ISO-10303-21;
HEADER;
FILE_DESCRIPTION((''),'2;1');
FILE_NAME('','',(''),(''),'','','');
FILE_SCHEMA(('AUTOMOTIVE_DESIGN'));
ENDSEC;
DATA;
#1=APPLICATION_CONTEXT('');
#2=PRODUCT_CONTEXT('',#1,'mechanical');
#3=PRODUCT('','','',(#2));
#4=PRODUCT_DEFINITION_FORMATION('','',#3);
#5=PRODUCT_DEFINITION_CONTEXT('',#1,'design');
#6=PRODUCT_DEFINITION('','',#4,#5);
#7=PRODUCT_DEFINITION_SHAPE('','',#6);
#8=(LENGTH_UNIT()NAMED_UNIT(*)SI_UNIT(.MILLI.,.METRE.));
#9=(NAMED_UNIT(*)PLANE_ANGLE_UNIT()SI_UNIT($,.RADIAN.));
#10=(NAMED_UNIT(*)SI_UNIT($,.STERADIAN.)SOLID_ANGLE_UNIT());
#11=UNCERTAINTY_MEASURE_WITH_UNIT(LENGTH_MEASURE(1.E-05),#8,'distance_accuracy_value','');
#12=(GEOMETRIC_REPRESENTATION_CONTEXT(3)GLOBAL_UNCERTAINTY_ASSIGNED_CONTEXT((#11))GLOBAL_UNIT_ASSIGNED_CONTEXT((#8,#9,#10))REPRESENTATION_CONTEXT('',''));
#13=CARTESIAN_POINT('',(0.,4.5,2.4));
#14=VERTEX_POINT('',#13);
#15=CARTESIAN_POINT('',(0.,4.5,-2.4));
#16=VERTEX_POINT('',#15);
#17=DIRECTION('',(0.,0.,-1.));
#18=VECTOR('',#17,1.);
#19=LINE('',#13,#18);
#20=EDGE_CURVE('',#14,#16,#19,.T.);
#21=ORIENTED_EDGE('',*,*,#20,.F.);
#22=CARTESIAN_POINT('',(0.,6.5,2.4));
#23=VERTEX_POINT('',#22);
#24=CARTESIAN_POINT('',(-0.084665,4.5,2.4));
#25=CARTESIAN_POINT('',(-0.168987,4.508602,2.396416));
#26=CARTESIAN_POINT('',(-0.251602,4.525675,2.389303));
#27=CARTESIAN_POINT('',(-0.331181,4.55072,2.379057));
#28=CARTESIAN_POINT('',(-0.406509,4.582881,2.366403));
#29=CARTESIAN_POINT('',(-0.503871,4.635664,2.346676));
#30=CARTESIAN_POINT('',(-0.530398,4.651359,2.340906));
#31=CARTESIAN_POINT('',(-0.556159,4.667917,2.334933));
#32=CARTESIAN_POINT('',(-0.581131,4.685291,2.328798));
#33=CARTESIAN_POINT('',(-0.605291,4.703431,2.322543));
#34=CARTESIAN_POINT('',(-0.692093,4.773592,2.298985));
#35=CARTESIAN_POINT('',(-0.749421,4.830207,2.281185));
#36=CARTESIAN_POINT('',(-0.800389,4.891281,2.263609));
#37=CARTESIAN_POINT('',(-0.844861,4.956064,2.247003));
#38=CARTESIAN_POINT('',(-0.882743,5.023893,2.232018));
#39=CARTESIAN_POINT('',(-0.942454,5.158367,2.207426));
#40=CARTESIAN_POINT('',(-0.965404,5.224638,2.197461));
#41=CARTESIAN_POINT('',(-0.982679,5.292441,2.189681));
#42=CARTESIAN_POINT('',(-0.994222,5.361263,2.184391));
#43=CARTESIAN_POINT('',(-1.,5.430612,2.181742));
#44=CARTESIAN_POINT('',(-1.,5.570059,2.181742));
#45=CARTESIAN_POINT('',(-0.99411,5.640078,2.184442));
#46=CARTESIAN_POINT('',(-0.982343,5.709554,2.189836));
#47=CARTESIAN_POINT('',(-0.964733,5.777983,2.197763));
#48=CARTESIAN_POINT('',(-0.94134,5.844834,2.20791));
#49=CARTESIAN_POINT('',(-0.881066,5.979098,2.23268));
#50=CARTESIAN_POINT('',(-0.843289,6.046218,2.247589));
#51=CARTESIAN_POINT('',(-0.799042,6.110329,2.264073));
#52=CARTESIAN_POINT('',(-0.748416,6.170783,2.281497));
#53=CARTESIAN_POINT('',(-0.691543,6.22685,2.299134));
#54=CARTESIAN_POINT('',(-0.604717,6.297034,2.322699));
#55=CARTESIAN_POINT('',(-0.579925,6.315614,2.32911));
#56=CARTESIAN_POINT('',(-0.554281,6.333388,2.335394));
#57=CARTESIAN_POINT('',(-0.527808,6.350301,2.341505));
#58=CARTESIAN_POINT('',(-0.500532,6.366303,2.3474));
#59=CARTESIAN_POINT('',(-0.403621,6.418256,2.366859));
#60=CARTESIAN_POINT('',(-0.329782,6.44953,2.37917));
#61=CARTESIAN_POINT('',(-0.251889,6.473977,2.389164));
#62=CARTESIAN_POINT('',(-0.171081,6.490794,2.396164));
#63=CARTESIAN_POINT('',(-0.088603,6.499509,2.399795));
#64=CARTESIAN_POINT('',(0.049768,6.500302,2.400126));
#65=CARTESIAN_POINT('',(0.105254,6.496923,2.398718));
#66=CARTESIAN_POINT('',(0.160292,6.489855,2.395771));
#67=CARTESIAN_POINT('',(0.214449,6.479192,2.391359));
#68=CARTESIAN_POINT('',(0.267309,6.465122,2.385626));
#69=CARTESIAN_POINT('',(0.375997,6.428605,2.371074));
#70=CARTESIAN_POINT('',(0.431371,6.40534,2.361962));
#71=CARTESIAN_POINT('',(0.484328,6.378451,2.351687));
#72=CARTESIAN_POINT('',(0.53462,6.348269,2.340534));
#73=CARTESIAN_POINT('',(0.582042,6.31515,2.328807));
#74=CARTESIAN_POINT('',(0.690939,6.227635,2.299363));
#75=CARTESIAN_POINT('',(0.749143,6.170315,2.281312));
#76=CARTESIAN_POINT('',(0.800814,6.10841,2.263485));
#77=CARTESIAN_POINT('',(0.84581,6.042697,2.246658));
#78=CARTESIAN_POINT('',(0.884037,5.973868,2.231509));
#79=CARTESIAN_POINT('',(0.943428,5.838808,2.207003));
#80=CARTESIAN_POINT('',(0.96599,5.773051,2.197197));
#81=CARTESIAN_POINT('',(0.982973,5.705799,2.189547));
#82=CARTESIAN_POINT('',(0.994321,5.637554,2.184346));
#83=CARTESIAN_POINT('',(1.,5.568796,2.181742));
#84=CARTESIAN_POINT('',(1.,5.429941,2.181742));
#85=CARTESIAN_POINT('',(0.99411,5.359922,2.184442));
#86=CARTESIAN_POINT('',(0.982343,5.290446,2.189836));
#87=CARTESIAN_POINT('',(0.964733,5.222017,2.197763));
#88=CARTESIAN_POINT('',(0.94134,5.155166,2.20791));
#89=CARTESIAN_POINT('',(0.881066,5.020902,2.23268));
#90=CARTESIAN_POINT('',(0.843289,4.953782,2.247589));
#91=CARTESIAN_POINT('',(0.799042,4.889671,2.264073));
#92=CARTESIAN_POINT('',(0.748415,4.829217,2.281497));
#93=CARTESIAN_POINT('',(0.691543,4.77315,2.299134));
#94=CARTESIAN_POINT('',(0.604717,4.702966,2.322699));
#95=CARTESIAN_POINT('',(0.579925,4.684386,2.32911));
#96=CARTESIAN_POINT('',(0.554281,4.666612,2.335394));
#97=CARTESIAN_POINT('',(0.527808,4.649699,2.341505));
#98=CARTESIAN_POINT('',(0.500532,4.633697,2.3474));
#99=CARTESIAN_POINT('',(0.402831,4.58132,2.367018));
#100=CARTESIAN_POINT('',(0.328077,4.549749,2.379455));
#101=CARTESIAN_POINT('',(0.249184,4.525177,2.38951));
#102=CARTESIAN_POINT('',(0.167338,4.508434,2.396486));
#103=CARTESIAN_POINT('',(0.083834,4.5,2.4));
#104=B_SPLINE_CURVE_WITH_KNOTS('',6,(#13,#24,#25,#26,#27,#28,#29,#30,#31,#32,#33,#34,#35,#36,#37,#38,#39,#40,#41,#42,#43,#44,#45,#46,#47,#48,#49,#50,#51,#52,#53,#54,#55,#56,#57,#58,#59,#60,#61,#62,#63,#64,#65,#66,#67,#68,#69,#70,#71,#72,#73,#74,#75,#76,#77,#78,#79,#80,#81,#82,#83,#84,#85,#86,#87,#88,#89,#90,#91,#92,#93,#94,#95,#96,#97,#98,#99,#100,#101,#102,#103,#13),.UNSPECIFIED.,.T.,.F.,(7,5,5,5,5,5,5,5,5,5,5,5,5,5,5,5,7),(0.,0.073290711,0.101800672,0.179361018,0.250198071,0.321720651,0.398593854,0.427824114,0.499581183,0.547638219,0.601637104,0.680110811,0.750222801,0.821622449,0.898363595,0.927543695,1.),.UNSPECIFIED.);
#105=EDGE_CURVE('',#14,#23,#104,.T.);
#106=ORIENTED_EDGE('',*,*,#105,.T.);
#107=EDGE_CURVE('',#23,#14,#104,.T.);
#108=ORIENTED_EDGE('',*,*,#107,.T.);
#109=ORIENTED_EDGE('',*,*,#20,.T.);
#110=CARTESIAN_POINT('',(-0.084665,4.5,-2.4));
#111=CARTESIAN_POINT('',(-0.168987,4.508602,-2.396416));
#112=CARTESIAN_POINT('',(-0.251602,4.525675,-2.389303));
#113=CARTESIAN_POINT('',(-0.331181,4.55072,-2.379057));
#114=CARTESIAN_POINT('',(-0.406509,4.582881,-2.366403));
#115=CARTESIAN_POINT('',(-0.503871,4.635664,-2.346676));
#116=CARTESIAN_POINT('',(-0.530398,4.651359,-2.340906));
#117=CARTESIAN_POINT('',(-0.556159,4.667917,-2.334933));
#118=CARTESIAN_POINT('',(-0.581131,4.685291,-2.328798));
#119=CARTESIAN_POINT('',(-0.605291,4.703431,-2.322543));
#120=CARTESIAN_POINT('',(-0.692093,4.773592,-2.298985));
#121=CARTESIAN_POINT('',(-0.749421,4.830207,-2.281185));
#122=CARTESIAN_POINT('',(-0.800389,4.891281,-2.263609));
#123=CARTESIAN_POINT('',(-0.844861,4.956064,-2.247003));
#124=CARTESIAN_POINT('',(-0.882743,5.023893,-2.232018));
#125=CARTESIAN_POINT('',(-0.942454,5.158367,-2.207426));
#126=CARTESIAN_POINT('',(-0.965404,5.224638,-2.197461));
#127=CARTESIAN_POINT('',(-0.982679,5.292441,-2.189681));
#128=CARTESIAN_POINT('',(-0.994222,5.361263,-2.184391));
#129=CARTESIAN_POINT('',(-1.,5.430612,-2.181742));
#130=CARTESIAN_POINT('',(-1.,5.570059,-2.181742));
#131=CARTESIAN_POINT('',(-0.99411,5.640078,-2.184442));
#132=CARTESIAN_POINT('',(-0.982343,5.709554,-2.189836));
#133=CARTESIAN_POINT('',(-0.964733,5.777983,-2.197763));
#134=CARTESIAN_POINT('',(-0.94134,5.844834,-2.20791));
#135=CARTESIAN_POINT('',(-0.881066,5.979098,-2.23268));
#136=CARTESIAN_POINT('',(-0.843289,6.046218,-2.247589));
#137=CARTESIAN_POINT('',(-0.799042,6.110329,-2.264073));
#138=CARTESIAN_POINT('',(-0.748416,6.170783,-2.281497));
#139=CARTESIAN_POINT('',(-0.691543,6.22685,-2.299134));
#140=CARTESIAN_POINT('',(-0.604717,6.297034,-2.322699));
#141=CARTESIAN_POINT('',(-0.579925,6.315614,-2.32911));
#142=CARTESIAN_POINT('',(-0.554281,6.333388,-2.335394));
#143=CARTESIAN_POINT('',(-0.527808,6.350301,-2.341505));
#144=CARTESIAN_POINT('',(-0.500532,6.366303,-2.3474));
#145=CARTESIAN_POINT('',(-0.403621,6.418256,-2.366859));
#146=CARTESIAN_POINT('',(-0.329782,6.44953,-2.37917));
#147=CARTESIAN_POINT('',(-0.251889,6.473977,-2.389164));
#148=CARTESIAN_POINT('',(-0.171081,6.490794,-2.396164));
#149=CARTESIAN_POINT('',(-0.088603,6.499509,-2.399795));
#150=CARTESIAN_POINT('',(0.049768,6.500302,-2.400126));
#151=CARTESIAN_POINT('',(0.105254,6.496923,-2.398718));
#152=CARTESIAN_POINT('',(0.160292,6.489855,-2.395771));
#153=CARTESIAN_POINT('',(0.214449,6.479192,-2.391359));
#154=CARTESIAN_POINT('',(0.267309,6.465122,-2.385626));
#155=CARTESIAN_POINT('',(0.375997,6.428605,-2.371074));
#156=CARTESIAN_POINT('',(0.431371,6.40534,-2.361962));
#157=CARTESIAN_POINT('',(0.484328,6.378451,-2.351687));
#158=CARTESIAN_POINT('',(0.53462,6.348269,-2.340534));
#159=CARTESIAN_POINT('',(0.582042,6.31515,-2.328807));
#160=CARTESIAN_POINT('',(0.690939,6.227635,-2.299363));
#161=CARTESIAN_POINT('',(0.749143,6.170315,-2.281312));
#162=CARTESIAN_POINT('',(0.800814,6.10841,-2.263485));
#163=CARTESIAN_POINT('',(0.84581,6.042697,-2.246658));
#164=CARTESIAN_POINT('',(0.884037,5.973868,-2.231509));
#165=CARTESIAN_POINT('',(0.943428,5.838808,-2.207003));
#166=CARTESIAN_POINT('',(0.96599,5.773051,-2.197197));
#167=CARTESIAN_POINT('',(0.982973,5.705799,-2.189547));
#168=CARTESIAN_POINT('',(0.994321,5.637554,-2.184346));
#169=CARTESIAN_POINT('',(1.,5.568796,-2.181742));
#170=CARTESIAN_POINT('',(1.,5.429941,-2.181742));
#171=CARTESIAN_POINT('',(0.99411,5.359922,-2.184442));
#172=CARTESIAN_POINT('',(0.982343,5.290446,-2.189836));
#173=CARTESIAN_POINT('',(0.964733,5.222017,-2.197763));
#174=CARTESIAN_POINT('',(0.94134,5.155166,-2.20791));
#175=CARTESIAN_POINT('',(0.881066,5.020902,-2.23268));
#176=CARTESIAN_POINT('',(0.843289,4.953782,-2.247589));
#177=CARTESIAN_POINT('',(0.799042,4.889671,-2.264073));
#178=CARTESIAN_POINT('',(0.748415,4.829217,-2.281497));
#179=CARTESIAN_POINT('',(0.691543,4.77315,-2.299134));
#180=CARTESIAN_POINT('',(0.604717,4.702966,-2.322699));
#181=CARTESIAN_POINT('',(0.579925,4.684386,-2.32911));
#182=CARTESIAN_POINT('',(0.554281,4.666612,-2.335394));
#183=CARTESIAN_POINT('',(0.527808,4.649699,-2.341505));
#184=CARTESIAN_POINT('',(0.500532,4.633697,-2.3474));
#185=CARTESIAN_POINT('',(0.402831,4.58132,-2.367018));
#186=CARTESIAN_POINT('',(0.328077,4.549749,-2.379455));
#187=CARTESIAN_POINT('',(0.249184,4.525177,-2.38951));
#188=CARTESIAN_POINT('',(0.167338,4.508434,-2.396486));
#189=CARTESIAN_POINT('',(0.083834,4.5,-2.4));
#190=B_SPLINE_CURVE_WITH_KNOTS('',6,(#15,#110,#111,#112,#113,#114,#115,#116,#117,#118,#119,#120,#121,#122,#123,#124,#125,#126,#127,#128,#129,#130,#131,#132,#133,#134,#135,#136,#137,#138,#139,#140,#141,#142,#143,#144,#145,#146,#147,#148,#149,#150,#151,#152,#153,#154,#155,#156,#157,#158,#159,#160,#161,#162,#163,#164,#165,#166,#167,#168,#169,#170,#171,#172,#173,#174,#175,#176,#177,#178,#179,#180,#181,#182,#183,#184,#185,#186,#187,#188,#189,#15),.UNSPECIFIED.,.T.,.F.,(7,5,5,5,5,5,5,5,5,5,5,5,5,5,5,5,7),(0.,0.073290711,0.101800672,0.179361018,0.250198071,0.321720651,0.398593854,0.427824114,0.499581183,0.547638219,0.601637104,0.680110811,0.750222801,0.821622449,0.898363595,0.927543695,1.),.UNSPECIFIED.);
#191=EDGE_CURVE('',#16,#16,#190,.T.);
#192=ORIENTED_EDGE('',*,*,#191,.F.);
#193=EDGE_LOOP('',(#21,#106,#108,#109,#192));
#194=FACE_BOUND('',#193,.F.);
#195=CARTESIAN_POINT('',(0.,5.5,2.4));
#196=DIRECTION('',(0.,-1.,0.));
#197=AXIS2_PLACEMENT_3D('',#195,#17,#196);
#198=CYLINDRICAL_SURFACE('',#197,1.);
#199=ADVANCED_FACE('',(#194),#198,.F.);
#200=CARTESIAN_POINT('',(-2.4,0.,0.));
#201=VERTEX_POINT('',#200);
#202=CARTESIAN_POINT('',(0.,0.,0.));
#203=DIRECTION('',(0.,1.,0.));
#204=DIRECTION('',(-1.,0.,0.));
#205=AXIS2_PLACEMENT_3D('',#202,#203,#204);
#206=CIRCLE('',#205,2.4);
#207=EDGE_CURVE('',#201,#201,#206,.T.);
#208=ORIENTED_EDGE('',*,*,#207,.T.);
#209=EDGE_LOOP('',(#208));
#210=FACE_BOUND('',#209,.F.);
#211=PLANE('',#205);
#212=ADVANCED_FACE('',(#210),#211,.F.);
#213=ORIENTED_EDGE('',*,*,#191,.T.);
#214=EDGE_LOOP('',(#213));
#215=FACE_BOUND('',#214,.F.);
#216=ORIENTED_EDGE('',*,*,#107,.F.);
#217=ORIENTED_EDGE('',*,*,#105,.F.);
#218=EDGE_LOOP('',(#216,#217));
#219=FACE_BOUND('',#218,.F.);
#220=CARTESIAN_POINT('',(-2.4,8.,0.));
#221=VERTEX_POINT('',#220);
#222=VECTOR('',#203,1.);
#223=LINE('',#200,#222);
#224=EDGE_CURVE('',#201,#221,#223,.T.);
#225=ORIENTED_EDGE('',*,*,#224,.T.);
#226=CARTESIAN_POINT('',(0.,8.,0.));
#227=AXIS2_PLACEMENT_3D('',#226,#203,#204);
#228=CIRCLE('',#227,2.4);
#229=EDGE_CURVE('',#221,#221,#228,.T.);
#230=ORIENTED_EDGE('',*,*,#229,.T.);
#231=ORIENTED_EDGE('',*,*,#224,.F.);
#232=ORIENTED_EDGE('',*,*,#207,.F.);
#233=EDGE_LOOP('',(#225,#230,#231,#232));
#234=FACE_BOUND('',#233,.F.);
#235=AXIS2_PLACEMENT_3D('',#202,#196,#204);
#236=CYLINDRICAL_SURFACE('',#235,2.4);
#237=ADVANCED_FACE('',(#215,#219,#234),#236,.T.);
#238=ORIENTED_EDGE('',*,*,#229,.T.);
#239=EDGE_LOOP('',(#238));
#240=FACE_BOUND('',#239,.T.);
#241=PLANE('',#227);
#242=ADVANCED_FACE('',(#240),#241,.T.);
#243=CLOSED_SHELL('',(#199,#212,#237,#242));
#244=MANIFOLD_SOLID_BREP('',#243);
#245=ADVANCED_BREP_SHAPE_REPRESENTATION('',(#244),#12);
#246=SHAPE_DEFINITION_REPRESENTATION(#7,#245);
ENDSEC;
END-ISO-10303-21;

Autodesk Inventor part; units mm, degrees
ref_plane "YZ Plane" through (0, 0, 0) normal (1, 0, 0) x (0, 1, 0)
ref_plane "XZ Plane" through (0, 0, 0) normal (0, 1, 0) x (-1, 0, 0)
sketch "Sketch1" plane through (0, 0, 0) normal (0, 1, 0) x (-1, 0, 0)
  circle A0 centre (0, 0) radius 2.4
  dimension "d0" = 4.8
extrude "Extrusion1" add sketch "Sketch1" along normal blind 8
ref_plane "Work Plane1" through (0, 0, 2.4) normal (0, 0, 1) x (1, 0, 0)
sketch "Sketch2" plane through (0, 0, 2.4) normal (0, 0, 1) x (1, 0, 0)
  line L0 (2.4, 8) -> (-2.4, 8) construction
  line L1 (0, 8) -> (0, 5.5) construction
  point P0 (0, 0)
  dimension "d3" = 2.5
hole "Hole1" at (0, 5.5, 2.4) direction (0, 0, -1) diameter 2 end through all
properties part number "Lower_Chassis_Pin_1"
